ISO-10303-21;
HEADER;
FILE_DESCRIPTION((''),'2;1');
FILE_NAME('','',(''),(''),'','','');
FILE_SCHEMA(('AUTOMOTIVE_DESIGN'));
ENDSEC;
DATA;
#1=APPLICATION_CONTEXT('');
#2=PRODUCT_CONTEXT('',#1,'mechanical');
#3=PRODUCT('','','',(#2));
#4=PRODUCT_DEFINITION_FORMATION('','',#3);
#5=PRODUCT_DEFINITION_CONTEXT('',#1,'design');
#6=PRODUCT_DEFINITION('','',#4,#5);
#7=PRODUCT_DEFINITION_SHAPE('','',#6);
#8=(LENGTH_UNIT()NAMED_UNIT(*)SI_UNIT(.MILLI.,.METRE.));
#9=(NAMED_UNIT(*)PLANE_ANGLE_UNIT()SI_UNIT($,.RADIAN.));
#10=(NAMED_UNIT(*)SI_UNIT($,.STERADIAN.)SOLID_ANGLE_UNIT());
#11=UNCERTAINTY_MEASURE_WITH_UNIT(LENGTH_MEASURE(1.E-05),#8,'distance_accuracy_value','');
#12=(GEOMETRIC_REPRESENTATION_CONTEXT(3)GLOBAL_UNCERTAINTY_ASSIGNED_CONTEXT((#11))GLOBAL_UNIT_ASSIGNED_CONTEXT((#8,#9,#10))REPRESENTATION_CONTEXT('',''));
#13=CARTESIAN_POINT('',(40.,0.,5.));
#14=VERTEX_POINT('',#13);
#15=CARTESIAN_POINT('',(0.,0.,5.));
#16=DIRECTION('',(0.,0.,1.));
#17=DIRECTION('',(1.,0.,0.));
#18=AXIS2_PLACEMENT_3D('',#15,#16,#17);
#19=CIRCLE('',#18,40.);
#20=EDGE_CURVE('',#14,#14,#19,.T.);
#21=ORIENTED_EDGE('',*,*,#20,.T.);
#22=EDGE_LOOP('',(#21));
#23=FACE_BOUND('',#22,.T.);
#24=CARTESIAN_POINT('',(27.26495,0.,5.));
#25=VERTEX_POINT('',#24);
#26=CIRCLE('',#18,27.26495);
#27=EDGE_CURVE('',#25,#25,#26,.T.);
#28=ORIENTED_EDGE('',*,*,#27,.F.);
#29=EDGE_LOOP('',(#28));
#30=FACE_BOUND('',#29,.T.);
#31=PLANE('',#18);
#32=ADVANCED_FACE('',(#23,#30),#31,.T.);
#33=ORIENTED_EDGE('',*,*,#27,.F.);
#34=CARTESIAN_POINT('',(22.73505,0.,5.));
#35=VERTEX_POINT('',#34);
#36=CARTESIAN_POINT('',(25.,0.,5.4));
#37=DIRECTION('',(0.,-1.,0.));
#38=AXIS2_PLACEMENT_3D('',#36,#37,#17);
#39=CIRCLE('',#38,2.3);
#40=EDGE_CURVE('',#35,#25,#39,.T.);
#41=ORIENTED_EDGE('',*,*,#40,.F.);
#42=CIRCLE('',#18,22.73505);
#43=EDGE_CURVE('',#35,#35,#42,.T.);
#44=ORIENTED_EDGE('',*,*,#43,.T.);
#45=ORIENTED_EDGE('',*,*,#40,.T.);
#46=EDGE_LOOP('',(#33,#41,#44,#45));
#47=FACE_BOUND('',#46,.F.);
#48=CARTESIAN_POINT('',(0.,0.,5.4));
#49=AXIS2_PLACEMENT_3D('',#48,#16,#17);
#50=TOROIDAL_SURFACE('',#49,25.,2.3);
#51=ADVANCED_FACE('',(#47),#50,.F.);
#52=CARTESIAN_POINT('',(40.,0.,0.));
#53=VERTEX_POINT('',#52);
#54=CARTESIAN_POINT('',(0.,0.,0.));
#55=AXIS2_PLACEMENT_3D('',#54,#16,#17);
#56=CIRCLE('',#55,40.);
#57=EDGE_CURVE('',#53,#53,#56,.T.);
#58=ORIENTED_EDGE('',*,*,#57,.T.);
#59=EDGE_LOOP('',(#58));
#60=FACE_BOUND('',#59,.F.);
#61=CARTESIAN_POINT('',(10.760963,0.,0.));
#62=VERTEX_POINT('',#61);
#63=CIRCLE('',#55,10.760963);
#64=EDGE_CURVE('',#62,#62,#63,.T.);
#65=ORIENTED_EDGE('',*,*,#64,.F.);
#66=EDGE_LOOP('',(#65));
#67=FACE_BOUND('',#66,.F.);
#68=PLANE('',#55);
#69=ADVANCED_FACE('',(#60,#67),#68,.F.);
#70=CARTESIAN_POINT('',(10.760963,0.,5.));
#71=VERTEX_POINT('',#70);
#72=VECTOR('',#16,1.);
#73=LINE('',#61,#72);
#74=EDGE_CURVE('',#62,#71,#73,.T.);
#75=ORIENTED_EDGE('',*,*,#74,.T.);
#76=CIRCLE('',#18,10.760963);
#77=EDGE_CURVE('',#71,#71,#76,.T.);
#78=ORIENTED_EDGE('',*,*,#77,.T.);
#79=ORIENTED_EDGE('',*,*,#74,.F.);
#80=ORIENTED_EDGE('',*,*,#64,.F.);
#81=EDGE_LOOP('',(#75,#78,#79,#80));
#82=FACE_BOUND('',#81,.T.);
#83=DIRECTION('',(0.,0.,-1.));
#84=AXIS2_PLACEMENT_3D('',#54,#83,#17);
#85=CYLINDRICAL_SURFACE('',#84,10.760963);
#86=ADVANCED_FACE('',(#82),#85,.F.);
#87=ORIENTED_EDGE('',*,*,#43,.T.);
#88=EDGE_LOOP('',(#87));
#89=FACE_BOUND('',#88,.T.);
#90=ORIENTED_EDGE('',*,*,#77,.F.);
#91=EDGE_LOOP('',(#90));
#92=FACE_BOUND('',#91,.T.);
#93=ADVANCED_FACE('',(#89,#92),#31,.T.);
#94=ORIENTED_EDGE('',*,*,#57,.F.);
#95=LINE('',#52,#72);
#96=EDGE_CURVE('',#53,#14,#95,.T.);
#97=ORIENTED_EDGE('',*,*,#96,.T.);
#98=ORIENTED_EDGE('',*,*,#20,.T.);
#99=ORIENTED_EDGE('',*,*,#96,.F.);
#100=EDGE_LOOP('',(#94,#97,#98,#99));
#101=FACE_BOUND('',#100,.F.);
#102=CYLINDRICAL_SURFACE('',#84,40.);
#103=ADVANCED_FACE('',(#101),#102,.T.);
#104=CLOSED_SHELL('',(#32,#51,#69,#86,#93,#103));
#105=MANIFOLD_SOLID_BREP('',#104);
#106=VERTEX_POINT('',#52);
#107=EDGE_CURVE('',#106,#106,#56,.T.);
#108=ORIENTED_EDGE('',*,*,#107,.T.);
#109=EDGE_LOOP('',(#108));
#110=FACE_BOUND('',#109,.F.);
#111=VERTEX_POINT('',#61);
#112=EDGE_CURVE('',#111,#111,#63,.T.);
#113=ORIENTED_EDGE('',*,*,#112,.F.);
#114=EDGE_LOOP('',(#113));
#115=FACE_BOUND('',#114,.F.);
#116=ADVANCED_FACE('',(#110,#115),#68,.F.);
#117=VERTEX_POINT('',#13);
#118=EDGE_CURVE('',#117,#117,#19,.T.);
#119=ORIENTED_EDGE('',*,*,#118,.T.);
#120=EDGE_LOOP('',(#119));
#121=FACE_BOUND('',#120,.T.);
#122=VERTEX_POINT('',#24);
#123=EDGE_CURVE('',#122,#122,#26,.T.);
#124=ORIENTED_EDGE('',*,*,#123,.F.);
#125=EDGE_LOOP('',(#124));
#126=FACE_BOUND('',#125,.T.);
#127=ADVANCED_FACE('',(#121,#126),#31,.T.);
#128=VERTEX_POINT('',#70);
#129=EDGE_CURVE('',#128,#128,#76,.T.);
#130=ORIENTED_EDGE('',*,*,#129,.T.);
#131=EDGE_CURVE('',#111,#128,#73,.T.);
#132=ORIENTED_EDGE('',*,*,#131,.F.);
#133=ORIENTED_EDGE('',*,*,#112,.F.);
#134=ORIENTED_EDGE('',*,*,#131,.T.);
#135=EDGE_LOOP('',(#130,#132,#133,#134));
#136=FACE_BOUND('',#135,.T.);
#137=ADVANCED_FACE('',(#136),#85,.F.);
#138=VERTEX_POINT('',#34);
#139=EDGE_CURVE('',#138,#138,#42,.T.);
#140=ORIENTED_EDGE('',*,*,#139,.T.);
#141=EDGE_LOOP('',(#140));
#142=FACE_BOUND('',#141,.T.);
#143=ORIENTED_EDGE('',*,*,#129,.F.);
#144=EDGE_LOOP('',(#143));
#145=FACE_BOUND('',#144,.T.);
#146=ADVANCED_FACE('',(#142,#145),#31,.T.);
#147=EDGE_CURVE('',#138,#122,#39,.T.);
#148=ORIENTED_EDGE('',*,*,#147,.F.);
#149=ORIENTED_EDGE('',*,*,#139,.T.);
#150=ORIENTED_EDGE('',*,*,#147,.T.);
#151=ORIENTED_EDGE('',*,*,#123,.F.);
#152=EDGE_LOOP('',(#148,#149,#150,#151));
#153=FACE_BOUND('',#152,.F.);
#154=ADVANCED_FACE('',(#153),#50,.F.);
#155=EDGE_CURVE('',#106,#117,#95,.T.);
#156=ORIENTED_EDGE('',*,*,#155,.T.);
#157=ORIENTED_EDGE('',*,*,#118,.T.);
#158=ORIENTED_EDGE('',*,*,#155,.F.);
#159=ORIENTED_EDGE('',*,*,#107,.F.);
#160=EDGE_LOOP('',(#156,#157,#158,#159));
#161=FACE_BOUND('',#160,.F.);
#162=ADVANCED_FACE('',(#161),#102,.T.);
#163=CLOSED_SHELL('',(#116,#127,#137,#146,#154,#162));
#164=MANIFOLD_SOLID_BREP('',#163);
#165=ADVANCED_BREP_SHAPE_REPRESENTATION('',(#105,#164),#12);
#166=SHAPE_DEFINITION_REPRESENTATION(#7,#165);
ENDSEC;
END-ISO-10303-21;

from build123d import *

# Parameters (mm, degrees)
SKETCH003_AS_DRAWN_R                 = 2.3
REVOLVE_ONTO_SKETCH003_ROLL_ANGLE    = 90
SKETCH005_R                          = 10.760963
EXTRUDE_DEPTH                        = 5
SKETCH004_R                          = 40
PAD001_DEPTH                         = 5
SKETCH006_AS_DRAWN_R                 = 2.3
REVOLVE001_ONTO_SKETCH006_ROLL_ANGLE = 90
SKETCH007_R                          = 10.760963
EXTRUDE001_DEPTH                     = 5
SKETCH008_R                          = 40
PAD002_DEPTH                         = 5


with BuildPart() as revolve_body:
    # Sketch003 as drawn → Revolve (revolve)
    with BuildSketch(Plane.XY):
        with Locations((25, 5.4)):
            Circle(SKETCH003_AS_DRAWN_R)
    revolve(axis=Axis((0, 0, 0), (0, 1, 0)))


with BuildPart() as revolve_body_1:
    # Revolve onto Sketch003 roll: moved
    add(revolve_body.part.rotate(Axis((0, 0, 0), (1, 0, 0)), REVOLVE_ONTO_SKETCH003_ROLL_ANGLE))


with BuildPart() as revolve_body_2:
    # Revolve onto Sketch003 placement: moved
    add(revolve_body_1.part)


with BuildPart() as hub_hole_ex:
    # Sketch005 → Extrude (new body)
    with BuildSketch(Plane.XY):
        Circle(SKETCH005_R)
    extrude(amount=EXTRUDE_DEPTH)


with BuildPart() as top001:
    # Sketch004 → Pad001 (new body)
    with BuildSketch(Plane.XY):
        Circle(SKETCH004_R)
    extrude(amount=PAD001_DEPTH)

    # Cut001: cut hub_hole_ex
    add(hub_hole_ex.part, mode=Mode.SUBTRACT)

    # Cut002: cut Revolve body
    add(revolve_body_2.part, mode=Mode.SUBTRACT)


with BuildPart() as revolve001:
    # Sketch006 as drawn → Revolve001 (revolve)
    with BuildSketch(Plane.XY):
        with Locations((25, 5.4)):
            Circle(SKETCH006_AS_DRAWN_R)
    revolve(axis=Axis((0, 0, 0), (0, 1, 0)))


with BuildPart() as revolve001_1:
    # Revolve001 onto Sketch006 roll: moved
    add(revolve001.part.rotate(Axis((0, 0, 0), (1, 0, 0)), REVOLVE001_ONTO_SKETCH006_ROLL_ANGLE))


with BuildPart() as revolve001_2:
    # Revolve001 onto Sketch006 placement: moved
    add(revolve001_1.part)


with BuildPart() as hub_hole_ex001:
    # Sketch007 → Extrude001 (new body)
    with BuildSketch(Plane.XY):
        Circle(SKETCH007_R)
    extrude(amount=EXTRUDE001_DEPTH)


with BuildPart() as top004:
    # Sketch008 → Pad002 (new body)
    with BuildSketch(Plane.XY):
        Circle(SKETCH008_R)
    extrude(amount=PAD002_DEPTH)

    # Cut003: cut hub_hole_ex001
    add(hub_hole_ex001.part, mode=Mode.SUBTRACT)

    # Cut004: cut Revolve001
    add(revolve001_2.part, mode=Mode.SUBTRACT)


solid = Compound([top001.part, top004.part])
